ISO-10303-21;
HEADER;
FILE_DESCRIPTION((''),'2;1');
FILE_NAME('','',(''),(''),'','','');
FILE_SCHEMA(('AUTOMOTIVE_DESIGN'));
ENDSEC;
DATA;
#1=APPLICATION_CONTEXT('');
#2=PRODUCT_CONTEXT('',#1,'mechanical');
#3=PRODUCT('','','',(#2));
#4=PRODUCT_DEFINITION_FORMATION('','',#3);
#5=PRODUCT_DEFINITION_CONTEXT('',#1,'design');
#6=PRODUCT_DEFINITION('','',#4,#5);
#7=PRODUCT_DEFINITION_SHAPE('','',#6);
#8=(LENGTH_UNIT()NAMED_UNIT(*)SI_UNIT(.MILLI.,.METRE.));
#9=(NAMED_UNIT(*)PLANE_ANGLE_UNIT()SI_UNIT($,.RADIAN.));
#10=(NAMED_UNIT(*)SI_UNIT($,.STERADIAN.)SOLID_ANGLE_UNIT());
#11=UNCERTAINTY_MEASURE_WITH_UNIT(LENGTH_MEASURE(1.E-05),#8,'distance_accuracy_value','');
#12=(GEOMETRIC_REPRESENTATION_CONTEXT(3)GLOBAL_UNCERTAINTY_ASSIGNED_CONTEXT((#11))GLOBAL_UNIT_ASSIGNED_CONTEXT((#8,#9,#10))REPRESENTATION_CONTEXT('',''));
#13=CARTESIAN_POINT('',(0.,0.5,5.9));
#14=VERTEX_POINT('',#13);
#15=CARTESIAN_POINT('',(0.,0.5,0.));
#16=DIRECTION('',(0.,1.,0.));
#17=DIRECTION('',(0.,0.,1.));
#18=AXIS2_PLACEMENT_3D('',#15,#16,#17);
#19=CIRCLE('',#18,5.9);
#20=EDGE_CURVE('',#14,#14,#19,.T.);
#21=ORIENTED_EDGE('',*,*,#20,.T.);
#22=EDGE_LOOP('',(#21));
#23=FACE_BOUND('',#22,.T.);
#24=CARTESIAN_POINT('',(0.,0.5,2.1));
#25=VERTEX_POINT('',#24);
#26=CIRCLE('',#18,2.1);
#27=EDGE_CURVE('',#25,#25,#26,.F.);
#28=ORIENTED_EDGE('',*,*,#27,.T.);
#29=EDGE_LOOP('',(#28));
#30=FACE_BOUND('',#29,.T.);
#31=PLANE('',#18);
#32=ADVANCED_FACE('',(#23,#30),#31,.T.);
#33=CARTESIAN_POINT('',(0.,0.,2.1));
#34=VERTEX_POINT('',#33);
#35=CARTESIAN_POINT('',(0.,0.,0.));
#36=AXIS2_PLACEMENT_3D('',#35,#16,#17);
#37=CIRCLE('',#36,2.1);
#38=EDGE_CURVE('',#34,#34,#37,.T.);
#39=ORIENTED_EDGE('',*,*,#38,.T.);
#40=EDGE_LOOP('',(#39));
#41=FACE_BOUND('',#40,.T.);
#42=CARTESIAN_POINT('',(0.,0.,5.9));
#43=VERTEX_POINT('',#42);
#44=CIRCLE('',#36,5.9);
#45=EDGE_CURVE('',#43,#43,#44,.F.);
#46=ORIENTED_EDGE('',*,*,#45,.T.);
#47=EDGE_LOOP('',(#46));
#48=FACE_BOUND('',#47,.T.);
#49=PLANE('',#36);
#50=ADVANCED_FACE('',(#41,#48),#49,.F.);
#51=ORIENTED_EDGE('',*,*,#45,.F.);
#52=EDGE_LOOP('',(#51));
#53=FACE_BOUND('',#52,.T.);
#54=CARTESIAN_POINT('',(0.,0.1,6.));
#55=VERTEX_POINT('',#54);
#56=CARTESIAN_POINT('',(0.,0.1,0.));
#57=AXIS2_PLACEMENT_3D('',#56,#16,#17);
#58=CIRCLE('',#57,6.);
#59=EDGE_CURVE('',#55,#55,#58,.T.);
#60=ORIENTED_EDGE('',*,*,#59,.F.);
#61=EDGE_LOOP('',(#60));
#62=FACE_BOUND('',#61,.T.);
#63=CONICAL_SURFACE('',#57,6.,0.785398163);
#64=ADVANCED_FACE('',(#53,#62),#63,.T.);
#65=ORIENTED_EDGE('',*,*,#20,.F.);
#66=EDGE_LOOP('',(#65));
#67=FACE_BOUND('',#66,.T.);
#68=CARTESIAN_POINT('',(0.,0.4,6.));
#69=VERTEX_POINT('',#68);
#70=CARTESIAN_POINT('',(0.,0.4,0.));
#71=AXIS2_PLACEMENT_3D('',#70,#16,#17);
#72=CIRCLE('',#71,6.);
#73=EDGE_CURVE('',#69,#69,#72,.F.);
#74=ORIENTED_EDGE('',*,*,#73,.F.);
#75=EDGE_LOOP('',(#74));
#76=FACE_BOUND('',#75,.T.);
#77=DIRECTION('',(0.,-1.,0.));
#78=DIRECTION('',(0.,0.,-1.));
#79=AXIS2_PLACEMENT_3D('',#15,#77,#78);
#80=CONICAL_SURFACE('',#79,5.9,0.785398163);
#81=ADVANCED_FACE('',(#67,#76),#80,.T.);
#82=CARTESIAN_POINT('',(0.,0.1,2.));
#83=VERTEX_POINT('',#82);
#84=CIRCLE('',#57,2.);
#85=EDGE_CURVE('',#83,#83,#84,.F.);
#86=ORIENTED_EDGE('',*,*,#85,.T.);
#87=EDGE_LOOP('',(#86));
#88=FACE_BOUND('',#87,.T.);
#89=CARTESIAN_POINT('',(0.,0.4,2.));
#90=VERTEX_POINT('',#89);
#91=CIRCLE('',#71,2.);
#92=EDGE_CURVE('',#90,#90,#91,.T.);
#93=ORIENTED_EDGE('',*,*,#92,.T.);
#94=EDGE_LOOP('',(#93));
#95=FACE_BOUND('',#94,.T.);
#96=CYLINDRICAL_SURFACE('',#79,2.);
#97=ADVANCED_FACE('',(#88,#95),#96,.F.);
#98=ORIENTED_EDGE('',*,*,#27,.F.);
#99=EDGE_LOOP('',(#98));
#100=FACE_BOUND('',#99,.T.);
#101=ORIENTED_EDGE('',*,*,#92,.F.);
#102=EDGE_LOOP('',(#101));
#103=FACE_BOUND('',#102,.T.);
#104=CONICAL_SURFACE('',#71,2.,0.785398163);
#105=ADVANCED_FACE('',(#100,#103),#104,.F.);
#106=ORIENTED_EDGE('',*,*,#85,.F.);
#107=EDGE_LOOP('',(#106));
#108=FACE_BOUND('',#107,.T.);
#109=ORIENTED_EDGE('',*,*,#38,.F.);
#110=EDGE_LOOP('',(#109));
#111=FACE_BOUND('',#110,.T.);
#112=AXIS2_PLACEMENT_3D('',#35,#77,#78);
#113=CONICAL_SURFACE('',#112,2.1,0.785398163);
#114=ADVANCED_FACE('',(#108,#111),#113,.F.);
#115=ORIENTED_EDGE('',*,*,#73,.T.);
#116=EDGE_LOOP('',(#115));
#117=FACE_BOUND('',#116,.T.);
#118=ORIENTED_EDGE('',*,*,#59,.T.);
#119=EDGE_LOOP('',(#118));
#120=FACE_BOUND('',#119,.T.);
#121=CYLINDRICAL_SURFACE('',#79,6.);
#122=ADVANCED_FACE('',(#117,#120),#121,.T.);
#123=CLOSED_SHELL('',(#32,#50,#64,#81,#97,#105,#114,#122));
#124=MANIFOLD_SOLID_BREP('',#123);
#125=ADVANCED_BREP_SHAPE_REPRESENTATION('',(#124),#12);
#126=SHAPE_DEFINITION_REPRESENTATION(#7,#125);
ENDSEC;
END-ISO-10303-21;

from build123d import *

# Parameters (mm, degrees)
SKETCH1_R           = 6
SKETCH1_R_2         = 2
BOSS_EXTRUDE1_DEPTH = 0.5
CHAMFER1_SIZE       = 0.1


with BuildPart() as part:
    # Sketch1 → Boss-Extrude1 (new body)
    with BuildSketch(Plane(origin=(0, 0, 0), x_dir=(1, 0, 0), z_dir=(0, 1, 0))):
        with Locations(Location((0, 0, 0), (0, 0, 270))):
            Circle(SKETCH1_R)
        with Locations(Location((0, 0, 0), (0, 0, 270))):
            Circle(SKETCH1_R_2, mode=Mode.SUBTRACT)
    extrude(amount=BOSS_EXTRUDE1_DEPTH)

    # Chamfer1
    chamfer1_edges = [part.edges().sort_by_distance(p)[0] for p in [
        (0, 0, -6),
        (0, 0.5, -6),
        (0, 0, -2),
        (0, 0.5, -2),
    ]]
    chamfer(chamfer1_edges, length=CHAMFER1_SIZE)


solid = part.part
